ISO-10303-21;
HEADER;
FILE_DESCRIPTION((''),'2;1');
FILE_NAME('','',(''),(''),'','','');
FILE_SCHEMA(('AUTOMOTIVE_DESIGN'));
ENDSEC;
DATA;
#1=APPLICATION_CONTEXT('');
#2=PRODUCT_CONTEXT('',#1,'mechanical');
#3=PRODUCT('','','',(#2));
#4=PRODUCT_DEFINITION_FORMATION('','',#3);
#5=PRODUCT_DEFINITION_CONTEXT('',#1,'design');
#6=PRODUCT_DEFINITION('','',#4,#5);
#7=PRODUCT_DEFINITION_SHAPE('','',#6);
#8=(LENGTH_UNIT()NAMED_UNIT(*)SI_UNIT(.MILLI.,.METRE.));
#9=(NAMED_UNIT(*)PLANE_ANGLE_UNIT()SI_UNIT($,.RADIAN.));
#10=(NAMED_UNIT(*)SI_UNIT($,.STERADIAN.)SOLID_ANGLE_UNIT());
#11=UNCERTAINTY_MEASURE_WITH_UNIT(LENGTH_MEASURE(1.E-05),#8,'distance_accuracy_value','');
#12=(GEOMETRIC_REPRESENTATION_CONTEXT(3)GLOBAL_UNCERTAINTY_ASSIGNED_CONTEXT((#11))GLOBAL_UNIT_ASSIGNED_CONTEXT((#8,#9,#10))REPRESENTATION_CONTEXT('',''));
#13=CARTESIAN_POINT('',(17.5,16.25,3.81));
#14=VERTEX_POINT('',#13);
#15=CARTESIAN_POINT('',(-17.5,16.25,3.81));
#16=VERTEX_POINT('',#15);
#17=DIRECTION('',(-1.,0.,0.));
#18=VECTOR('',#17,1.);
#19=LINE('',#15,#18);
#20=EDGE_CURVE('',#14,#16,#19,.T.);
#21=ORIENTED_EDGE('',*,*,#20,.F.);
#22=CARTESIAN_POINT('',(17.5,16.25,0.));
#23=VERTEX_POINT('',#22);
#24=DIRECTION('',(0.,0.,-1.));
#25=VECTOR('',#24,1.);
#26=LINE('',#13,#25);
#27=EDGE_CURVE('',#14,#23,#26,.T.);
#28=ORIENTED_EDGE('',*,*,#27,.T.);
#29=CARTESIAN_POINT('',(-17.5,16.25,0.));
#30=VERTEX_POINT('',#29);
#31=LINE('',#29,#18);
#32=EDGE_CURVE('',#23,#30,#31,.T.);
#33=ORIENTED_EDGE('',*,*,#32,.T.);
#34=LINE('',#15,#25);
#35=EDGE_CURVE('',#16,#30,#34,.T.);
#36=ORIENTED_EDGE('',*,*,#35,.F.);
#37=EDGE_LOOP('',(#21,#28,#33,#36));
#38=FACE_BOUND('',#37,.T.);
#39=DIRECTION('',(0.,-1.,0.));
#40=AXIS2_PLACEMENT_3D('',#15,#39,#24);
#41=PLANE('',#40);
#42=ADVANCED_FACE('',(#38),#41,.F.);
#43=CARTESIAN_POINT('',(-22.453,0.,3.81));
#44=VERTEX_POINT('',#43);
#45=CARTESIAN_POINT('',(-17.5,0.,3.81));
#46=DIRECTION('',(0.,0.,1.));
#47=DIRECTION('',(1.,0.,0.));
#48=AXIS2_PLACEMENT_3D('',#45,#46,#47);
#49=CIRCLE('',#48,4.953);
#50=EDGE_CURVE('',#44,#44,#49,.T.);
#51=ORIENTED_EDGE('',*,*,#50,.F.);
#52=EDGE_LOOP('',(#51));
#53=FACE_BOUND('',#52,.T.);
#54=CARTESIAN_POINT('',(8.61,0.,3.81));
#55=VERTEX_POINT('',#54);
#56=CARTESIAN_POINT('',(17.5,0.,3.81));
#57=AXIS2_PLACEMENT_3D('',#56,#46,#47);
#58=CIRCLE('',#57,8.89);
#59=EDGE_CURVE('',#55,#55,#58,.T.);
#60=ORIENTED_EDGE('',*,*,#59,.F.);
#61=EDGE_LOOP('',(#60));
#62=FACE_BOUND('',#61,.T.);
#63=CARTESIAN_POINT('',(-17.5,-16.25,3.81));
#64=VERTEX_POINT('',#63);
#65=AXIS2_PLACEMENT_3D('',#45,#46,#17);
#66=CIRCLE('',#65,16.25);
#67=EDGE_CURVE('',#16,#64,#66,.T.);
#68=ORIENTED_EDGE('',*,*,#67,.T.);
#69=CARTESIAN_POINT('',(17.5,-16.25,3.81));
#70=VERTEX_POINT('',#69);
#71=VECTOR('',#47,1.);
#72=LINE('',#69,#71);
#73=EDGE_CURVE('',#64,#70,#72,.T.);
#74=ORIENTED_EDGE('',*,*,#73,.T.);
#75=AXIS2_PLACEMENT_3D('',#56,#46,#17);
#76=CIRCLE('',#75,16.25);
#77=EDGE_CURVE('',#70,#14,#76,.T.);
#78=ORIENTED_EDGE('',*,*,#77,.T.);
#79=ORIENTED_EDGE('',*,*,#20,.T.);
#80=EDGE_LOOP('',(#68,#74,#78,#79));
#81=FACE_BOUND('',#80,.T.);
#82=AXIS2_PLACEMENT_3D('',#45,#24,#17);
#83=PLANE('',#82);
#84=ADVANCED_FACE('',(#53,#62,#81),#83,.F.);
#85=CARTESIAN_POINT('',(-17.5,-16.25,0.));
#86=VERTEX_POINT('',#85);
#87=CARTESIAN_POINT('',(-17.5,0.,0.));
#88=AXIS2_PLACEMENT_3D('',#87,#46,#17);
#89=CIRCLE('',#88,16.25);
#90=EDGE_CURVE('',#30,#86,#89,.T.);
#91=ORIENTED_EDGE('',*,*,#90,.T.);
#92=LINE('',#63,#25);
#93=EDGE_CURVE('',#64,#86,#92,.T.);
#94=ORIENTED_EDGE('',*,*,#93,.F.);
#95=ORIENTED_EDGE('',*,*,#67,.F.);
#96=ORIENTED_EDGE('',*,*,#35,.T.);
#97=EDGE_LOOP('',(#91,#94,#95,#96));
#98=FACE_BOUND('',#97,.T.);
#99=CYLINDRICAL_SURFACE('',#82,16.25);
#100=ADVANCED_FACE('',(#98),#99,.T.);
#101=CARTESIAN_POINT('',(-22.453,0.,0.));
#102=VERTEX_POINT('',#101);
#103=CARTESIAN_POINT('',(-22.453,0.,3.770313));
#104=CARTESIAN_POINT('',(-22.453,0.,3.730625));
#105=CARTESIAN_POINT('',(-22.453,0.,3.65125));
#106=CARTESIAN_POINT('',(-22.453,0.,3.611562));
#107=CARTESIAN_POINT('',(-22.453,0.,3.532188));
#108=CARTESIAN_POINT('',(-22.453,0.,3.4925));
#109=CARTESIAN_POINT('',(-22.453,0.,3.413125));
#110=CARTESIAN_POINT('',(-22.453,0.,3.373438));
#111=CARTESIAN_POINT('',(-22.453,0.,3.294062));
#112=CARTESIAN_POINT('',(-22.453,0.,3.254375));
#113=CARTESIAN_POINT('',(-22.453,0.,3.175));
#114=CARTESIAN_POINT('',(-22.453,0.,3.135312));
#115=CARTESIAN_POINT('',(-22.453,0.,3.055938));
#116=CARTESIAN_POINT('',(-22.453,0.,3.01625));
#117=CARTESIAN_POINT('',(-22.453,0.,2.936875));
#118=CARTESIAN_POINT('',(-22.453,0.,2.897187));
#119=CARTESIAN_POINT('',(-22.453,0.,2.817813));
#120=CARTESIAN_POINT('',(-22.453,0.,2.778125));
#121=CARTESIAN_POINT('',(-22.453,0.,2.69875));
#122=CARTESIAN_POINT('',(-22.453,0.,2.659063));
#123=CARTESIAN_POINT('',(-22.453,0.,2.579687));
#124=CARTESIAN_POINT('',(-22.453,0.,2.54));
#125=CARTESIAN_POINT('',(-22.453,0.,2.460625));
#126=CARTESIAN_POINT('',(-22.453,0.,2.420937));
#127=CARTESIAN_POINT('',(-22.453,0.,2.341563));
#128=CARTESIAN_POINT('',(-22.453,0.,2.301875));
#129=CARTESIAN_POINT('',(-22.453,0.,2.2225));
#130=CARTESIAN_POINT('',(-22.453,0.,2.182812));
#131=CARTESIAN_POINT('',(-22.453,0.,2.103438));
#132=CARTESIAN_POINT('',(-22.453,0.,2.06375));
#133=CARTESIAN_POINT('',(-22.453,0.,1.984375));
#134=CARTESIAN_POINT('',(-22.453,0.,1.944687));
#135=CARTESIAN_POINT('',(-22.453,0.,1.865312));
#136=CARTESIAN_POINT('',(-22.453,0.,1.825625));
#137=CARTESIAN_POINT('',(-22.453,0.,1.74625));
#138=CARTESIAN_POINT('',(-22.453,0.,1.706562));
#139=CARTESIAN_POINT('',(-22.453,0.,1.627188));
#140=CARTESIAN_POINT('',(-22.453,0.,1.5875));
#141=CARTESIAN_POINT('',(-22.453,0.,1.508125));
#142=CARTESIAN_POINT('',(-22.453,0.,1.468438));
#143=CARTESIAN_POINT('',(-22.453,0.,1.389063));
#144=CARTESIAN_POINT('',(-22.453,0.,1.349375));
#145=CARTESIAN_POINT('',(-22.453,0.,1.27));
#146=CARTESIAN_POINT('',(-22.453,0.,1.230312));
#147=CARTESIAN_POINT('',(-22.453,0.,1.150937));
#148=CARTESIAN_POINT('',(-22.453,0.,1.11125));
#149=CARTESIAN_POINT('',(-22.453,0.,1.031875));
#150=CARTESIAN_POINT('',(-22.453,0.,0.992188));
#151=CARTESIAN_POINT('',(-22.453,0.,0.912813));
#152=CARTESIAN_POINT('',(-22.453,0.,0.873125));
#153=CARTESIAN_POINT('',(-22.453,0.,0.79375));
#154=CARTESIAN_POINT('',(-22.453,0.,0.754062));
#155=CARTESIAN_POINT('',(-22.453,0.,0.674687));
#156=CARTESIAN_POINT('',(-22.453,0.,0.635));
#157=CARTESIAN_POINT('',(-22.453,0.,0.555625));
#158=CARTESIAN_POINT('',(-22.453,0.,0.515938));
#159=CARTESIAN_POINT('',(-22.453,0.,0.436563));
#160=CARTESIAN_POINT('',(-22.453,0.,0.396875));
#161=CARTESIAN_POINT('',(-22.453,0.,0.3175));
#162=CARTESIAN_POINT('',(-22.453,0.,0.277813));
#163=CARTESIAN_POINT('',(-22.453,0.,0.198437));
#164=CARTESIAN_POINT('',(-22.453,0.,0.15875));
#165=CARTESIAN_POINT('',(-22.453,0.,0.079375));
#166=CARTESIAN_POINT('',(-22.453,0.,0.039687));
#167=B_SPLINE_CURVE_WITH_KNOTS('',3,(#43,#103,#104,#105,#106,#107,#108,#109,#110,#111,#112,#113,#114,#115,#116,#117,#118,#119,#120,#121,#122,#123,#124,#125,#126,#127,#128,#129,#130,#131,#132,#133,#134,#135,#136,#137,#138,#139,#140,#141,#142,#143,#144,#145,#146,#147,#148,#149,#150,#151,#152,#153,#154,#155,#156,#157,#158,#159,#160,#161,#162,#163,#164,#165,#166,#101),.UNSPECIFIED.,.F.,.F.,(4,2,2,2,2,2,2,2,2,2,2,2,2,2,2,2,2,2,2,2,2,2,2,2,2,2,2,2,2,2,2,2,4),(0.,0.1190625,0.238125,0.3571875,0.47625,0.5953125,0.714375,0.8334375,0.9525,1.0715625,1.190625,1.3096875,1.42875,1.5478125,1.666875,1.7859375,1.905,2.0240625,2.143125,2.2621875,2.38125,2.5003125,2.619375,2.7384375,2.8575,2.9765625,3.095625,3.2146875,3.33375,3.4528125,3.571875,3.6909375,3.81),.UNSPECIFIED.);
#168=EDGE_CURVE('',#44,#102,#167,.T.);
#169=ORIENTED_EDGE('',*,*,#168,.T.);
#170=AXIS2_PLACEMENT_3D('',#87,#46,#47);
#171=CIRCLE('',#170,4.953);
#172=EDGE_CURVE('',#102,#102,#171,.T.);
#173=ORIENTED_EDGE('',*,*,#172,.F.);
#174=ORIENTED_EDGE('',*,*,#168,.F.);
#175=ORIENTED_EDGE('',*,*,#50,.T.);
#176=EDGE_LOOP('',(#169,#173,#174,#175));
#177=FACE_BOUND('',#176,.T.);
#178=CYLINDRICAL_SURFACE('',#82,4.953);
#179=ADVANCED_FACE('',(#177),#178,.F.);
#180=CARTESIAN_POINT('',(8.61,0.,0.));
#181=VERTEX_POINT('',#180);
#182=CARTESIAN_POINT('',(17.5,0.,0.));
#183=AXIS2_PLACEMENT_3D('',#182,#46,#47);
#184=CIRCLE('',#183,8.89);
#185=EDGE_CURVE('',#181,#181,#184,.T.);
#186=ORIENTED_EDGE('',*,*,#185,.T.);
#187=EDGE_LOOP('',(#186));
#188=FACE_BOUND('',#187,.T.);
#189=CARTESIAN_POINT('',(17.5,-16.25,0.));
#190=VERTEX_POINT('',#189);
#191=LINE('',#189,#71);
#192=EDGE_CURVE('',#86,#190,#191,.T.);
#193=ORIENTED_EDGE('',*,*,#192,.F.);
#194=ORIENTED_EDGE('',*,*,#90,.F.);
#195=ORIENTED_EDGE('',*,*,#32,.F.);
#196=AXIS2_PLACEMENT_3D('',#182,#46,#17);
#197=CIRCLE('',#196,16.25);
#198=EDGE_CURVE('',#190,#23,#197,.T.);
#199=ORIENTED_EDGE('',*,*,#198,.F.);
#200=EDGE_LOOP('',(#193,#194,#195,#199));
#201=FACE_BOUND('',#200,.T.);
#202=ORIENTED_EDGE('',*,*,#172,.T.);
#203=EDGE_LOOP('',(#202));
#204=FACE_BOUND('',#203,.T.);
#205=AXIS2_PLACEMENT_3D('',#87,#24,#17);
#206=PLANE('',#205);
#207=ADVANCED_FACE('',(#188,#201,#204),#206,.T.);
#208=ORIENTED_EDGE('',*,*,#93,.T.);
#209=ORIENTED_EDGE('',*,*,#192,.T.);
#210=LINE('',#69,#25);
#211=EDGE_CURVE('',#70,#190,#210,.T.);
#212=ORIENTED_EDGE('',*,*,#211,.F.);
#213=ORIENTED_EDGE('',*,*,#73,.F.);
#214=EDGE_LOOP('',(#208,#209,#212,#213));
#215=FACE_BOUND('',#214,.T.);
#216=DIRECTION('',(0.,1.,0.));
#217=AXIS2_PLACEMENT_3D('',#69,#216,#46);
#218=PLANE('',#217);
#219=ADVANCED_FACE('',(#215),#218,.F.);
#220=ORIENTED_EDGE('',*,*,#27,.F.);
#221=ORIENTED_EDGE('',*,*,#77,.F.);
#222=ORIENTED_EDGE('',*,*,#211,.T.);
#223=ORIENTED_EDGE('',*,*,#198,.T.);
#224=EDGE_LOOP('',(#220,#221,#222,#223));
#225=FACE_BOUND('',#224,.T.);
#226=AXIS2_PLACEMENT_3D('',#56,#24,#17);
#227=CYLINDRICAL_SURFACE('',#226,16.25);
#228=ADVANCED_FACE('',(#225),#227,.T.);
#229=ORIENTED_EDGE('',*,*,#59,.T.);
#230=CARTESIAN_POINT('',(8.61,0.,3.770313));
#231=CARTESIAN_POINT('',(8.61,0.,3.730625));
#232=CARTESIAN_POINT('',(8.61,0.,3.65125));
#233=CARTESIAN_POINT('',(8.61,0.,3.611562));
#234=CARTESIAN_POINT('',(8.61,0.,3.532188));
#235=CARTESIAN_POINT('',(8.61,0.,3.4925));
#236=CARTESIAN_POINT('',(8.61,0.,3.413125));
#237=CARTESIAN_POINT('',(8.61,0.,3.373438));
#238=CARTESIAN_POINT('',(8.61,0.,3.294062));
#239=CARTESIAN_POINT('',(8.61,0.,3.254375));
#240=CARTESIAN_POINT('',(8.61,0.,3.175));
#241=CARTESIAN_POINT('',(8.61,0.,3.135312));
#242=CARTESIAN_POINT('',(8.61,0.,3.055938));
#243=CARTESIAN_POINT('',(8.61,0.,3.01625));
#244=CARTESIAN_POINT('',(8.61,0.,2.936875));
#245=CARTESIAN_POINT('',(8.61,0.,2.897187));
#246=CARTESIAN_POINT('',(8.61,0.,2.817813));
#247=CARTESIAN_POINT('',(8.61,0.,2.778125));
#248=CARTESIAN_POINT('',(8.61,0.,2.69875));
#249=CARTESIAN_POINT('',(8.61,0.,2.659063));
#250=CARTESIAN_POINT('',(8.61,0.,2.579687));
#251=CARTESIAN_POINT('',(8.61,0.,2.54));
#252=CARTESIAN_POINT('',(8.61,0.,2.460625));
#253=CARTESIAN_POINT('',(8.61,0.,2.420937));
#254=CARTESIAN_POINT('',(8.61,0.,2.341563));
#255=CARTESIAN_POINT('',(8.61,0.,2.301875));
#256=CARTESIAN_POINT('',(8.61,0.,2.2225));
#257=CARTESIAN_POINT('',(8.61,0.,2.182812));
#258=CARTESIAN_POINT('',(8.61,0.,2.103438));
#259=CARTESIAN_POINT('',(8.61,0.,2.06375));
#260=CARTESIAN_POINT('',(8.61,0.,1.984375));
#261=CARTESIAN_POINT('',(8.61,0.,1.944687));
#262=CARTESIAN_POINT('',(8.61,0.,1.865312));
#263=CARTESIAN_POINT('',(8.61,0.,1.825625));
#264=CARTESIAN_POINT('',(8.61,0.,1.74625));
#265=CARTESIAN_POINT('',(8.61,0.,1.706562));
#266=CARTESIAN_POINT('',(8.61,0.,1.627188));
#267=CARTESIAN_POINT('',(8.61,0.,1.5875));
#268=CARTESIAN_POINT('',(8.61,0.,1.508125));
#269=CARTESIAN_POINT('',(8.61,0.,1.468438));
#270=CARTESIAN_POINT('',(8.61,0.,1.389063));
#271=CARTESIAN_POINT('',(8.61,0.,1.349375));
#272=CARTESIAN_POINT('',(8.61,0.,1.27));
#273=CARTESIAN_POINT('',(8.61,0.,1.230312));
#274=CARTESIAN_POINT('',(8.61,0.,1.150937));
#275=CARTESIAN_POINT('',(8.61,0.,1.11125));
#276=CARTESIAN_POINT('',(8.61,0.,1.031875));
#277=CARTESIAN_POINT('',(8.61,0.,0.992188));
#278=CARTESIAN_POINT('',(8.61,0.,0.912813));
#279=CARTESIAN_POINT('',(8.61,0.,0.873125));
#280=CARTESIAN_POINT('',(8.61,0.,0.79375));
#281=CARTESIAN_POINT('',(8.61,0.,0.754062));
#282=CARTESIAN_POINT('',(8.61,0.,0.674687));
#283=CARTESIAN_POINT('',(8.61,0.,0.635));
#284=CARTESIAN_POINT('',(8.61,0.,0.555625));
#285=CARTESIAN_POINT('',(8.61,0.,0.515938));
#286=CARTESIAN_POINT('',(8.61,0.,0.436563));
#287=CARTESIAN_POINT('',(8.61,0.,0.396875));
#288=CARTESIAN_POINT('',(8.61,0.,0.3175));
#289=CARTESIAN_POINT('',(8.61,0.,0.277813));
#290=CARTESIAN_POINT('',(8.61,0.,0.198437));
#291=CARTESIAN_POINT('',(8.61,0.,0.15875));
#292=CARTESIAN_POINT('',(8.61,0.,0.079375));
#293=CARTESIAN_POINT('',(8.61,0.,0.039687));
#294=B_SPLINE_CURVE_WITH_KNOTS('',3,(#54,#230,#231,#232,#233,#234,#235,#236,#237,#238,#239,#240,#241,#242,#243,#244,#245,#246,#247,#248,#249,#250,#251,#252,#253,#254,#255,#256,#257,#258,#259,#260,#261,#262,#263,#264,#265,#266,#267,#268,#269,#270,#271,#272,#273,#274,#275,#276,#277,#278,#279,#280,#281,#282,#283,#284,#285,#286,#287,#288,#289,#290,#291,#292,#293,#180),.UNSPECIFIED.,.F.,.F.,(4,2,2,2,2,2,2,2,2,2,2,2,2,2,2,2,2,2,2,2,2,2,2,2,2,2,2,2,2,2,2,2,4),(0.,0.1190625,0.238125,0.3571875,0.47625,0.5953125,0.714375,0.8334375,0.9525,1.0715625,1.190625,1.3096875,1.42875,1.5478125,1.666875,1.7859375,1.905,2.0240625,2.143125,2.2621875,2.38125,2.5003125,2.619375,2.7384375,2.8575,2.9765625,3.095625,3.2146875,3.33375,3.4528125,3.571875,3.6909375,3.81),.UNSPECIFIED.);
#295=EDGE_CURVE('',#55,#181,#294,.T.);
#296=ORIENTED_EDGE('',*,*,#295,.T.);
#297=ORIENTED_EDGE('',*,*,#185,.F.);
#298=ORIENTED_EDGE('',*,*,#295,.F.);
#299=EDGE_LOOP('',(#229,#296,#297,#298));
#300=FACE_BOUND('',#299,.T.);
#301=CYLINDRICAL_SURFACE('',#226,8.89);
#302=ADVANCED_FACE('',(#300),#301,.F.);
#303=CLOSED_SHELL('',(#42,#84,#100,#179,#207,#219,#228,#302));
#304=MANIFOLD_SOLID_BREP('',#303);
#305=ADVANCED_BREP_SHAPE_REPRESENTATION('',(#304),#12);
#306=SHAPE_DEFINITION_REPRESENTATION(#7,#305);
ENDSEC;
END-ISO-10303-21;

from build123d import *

# Parameters (mm, degrees)
SKETCH1_R           = 4.953
SKETCH1_R_2         = 8.89
BOSS_EXTRUDE1_DEPTH = 3.81


with BuildPart() as part:
    # Sketch1 → Boss-Extrude1 (new body)
    with BuildSketch(Plane.XY):
        with BuildLine():
            Line((-17.5, 16.250000012), (17.5, 16.250000012))
            ThreePointArc((17.5, 16.250000012), (33.750000012, 0), (17.5, -16.250000012))
            Line((17.5, -16.250000012), (-17.5, -16.250000012))
            ThreePointArc((-17.5, -16.250000012), (-33.750000012, 0), (-17.5, 16.250000012))
        make_face()
        with Locations(Location((-17.5, 0, 0), (0, 0, 180))):
            Circle(SKETCH1_R, mode=Mode.SUBTRACT)
        with Locations(Location((17.5, 0, 0), (0, 0, 180))):
            Circle(SKETCH1_R_2, mode=Mode.SUBTRACT)
    extrude(amount=BOSS_EXTRUDE1_DEPTH)


solid = part.part
